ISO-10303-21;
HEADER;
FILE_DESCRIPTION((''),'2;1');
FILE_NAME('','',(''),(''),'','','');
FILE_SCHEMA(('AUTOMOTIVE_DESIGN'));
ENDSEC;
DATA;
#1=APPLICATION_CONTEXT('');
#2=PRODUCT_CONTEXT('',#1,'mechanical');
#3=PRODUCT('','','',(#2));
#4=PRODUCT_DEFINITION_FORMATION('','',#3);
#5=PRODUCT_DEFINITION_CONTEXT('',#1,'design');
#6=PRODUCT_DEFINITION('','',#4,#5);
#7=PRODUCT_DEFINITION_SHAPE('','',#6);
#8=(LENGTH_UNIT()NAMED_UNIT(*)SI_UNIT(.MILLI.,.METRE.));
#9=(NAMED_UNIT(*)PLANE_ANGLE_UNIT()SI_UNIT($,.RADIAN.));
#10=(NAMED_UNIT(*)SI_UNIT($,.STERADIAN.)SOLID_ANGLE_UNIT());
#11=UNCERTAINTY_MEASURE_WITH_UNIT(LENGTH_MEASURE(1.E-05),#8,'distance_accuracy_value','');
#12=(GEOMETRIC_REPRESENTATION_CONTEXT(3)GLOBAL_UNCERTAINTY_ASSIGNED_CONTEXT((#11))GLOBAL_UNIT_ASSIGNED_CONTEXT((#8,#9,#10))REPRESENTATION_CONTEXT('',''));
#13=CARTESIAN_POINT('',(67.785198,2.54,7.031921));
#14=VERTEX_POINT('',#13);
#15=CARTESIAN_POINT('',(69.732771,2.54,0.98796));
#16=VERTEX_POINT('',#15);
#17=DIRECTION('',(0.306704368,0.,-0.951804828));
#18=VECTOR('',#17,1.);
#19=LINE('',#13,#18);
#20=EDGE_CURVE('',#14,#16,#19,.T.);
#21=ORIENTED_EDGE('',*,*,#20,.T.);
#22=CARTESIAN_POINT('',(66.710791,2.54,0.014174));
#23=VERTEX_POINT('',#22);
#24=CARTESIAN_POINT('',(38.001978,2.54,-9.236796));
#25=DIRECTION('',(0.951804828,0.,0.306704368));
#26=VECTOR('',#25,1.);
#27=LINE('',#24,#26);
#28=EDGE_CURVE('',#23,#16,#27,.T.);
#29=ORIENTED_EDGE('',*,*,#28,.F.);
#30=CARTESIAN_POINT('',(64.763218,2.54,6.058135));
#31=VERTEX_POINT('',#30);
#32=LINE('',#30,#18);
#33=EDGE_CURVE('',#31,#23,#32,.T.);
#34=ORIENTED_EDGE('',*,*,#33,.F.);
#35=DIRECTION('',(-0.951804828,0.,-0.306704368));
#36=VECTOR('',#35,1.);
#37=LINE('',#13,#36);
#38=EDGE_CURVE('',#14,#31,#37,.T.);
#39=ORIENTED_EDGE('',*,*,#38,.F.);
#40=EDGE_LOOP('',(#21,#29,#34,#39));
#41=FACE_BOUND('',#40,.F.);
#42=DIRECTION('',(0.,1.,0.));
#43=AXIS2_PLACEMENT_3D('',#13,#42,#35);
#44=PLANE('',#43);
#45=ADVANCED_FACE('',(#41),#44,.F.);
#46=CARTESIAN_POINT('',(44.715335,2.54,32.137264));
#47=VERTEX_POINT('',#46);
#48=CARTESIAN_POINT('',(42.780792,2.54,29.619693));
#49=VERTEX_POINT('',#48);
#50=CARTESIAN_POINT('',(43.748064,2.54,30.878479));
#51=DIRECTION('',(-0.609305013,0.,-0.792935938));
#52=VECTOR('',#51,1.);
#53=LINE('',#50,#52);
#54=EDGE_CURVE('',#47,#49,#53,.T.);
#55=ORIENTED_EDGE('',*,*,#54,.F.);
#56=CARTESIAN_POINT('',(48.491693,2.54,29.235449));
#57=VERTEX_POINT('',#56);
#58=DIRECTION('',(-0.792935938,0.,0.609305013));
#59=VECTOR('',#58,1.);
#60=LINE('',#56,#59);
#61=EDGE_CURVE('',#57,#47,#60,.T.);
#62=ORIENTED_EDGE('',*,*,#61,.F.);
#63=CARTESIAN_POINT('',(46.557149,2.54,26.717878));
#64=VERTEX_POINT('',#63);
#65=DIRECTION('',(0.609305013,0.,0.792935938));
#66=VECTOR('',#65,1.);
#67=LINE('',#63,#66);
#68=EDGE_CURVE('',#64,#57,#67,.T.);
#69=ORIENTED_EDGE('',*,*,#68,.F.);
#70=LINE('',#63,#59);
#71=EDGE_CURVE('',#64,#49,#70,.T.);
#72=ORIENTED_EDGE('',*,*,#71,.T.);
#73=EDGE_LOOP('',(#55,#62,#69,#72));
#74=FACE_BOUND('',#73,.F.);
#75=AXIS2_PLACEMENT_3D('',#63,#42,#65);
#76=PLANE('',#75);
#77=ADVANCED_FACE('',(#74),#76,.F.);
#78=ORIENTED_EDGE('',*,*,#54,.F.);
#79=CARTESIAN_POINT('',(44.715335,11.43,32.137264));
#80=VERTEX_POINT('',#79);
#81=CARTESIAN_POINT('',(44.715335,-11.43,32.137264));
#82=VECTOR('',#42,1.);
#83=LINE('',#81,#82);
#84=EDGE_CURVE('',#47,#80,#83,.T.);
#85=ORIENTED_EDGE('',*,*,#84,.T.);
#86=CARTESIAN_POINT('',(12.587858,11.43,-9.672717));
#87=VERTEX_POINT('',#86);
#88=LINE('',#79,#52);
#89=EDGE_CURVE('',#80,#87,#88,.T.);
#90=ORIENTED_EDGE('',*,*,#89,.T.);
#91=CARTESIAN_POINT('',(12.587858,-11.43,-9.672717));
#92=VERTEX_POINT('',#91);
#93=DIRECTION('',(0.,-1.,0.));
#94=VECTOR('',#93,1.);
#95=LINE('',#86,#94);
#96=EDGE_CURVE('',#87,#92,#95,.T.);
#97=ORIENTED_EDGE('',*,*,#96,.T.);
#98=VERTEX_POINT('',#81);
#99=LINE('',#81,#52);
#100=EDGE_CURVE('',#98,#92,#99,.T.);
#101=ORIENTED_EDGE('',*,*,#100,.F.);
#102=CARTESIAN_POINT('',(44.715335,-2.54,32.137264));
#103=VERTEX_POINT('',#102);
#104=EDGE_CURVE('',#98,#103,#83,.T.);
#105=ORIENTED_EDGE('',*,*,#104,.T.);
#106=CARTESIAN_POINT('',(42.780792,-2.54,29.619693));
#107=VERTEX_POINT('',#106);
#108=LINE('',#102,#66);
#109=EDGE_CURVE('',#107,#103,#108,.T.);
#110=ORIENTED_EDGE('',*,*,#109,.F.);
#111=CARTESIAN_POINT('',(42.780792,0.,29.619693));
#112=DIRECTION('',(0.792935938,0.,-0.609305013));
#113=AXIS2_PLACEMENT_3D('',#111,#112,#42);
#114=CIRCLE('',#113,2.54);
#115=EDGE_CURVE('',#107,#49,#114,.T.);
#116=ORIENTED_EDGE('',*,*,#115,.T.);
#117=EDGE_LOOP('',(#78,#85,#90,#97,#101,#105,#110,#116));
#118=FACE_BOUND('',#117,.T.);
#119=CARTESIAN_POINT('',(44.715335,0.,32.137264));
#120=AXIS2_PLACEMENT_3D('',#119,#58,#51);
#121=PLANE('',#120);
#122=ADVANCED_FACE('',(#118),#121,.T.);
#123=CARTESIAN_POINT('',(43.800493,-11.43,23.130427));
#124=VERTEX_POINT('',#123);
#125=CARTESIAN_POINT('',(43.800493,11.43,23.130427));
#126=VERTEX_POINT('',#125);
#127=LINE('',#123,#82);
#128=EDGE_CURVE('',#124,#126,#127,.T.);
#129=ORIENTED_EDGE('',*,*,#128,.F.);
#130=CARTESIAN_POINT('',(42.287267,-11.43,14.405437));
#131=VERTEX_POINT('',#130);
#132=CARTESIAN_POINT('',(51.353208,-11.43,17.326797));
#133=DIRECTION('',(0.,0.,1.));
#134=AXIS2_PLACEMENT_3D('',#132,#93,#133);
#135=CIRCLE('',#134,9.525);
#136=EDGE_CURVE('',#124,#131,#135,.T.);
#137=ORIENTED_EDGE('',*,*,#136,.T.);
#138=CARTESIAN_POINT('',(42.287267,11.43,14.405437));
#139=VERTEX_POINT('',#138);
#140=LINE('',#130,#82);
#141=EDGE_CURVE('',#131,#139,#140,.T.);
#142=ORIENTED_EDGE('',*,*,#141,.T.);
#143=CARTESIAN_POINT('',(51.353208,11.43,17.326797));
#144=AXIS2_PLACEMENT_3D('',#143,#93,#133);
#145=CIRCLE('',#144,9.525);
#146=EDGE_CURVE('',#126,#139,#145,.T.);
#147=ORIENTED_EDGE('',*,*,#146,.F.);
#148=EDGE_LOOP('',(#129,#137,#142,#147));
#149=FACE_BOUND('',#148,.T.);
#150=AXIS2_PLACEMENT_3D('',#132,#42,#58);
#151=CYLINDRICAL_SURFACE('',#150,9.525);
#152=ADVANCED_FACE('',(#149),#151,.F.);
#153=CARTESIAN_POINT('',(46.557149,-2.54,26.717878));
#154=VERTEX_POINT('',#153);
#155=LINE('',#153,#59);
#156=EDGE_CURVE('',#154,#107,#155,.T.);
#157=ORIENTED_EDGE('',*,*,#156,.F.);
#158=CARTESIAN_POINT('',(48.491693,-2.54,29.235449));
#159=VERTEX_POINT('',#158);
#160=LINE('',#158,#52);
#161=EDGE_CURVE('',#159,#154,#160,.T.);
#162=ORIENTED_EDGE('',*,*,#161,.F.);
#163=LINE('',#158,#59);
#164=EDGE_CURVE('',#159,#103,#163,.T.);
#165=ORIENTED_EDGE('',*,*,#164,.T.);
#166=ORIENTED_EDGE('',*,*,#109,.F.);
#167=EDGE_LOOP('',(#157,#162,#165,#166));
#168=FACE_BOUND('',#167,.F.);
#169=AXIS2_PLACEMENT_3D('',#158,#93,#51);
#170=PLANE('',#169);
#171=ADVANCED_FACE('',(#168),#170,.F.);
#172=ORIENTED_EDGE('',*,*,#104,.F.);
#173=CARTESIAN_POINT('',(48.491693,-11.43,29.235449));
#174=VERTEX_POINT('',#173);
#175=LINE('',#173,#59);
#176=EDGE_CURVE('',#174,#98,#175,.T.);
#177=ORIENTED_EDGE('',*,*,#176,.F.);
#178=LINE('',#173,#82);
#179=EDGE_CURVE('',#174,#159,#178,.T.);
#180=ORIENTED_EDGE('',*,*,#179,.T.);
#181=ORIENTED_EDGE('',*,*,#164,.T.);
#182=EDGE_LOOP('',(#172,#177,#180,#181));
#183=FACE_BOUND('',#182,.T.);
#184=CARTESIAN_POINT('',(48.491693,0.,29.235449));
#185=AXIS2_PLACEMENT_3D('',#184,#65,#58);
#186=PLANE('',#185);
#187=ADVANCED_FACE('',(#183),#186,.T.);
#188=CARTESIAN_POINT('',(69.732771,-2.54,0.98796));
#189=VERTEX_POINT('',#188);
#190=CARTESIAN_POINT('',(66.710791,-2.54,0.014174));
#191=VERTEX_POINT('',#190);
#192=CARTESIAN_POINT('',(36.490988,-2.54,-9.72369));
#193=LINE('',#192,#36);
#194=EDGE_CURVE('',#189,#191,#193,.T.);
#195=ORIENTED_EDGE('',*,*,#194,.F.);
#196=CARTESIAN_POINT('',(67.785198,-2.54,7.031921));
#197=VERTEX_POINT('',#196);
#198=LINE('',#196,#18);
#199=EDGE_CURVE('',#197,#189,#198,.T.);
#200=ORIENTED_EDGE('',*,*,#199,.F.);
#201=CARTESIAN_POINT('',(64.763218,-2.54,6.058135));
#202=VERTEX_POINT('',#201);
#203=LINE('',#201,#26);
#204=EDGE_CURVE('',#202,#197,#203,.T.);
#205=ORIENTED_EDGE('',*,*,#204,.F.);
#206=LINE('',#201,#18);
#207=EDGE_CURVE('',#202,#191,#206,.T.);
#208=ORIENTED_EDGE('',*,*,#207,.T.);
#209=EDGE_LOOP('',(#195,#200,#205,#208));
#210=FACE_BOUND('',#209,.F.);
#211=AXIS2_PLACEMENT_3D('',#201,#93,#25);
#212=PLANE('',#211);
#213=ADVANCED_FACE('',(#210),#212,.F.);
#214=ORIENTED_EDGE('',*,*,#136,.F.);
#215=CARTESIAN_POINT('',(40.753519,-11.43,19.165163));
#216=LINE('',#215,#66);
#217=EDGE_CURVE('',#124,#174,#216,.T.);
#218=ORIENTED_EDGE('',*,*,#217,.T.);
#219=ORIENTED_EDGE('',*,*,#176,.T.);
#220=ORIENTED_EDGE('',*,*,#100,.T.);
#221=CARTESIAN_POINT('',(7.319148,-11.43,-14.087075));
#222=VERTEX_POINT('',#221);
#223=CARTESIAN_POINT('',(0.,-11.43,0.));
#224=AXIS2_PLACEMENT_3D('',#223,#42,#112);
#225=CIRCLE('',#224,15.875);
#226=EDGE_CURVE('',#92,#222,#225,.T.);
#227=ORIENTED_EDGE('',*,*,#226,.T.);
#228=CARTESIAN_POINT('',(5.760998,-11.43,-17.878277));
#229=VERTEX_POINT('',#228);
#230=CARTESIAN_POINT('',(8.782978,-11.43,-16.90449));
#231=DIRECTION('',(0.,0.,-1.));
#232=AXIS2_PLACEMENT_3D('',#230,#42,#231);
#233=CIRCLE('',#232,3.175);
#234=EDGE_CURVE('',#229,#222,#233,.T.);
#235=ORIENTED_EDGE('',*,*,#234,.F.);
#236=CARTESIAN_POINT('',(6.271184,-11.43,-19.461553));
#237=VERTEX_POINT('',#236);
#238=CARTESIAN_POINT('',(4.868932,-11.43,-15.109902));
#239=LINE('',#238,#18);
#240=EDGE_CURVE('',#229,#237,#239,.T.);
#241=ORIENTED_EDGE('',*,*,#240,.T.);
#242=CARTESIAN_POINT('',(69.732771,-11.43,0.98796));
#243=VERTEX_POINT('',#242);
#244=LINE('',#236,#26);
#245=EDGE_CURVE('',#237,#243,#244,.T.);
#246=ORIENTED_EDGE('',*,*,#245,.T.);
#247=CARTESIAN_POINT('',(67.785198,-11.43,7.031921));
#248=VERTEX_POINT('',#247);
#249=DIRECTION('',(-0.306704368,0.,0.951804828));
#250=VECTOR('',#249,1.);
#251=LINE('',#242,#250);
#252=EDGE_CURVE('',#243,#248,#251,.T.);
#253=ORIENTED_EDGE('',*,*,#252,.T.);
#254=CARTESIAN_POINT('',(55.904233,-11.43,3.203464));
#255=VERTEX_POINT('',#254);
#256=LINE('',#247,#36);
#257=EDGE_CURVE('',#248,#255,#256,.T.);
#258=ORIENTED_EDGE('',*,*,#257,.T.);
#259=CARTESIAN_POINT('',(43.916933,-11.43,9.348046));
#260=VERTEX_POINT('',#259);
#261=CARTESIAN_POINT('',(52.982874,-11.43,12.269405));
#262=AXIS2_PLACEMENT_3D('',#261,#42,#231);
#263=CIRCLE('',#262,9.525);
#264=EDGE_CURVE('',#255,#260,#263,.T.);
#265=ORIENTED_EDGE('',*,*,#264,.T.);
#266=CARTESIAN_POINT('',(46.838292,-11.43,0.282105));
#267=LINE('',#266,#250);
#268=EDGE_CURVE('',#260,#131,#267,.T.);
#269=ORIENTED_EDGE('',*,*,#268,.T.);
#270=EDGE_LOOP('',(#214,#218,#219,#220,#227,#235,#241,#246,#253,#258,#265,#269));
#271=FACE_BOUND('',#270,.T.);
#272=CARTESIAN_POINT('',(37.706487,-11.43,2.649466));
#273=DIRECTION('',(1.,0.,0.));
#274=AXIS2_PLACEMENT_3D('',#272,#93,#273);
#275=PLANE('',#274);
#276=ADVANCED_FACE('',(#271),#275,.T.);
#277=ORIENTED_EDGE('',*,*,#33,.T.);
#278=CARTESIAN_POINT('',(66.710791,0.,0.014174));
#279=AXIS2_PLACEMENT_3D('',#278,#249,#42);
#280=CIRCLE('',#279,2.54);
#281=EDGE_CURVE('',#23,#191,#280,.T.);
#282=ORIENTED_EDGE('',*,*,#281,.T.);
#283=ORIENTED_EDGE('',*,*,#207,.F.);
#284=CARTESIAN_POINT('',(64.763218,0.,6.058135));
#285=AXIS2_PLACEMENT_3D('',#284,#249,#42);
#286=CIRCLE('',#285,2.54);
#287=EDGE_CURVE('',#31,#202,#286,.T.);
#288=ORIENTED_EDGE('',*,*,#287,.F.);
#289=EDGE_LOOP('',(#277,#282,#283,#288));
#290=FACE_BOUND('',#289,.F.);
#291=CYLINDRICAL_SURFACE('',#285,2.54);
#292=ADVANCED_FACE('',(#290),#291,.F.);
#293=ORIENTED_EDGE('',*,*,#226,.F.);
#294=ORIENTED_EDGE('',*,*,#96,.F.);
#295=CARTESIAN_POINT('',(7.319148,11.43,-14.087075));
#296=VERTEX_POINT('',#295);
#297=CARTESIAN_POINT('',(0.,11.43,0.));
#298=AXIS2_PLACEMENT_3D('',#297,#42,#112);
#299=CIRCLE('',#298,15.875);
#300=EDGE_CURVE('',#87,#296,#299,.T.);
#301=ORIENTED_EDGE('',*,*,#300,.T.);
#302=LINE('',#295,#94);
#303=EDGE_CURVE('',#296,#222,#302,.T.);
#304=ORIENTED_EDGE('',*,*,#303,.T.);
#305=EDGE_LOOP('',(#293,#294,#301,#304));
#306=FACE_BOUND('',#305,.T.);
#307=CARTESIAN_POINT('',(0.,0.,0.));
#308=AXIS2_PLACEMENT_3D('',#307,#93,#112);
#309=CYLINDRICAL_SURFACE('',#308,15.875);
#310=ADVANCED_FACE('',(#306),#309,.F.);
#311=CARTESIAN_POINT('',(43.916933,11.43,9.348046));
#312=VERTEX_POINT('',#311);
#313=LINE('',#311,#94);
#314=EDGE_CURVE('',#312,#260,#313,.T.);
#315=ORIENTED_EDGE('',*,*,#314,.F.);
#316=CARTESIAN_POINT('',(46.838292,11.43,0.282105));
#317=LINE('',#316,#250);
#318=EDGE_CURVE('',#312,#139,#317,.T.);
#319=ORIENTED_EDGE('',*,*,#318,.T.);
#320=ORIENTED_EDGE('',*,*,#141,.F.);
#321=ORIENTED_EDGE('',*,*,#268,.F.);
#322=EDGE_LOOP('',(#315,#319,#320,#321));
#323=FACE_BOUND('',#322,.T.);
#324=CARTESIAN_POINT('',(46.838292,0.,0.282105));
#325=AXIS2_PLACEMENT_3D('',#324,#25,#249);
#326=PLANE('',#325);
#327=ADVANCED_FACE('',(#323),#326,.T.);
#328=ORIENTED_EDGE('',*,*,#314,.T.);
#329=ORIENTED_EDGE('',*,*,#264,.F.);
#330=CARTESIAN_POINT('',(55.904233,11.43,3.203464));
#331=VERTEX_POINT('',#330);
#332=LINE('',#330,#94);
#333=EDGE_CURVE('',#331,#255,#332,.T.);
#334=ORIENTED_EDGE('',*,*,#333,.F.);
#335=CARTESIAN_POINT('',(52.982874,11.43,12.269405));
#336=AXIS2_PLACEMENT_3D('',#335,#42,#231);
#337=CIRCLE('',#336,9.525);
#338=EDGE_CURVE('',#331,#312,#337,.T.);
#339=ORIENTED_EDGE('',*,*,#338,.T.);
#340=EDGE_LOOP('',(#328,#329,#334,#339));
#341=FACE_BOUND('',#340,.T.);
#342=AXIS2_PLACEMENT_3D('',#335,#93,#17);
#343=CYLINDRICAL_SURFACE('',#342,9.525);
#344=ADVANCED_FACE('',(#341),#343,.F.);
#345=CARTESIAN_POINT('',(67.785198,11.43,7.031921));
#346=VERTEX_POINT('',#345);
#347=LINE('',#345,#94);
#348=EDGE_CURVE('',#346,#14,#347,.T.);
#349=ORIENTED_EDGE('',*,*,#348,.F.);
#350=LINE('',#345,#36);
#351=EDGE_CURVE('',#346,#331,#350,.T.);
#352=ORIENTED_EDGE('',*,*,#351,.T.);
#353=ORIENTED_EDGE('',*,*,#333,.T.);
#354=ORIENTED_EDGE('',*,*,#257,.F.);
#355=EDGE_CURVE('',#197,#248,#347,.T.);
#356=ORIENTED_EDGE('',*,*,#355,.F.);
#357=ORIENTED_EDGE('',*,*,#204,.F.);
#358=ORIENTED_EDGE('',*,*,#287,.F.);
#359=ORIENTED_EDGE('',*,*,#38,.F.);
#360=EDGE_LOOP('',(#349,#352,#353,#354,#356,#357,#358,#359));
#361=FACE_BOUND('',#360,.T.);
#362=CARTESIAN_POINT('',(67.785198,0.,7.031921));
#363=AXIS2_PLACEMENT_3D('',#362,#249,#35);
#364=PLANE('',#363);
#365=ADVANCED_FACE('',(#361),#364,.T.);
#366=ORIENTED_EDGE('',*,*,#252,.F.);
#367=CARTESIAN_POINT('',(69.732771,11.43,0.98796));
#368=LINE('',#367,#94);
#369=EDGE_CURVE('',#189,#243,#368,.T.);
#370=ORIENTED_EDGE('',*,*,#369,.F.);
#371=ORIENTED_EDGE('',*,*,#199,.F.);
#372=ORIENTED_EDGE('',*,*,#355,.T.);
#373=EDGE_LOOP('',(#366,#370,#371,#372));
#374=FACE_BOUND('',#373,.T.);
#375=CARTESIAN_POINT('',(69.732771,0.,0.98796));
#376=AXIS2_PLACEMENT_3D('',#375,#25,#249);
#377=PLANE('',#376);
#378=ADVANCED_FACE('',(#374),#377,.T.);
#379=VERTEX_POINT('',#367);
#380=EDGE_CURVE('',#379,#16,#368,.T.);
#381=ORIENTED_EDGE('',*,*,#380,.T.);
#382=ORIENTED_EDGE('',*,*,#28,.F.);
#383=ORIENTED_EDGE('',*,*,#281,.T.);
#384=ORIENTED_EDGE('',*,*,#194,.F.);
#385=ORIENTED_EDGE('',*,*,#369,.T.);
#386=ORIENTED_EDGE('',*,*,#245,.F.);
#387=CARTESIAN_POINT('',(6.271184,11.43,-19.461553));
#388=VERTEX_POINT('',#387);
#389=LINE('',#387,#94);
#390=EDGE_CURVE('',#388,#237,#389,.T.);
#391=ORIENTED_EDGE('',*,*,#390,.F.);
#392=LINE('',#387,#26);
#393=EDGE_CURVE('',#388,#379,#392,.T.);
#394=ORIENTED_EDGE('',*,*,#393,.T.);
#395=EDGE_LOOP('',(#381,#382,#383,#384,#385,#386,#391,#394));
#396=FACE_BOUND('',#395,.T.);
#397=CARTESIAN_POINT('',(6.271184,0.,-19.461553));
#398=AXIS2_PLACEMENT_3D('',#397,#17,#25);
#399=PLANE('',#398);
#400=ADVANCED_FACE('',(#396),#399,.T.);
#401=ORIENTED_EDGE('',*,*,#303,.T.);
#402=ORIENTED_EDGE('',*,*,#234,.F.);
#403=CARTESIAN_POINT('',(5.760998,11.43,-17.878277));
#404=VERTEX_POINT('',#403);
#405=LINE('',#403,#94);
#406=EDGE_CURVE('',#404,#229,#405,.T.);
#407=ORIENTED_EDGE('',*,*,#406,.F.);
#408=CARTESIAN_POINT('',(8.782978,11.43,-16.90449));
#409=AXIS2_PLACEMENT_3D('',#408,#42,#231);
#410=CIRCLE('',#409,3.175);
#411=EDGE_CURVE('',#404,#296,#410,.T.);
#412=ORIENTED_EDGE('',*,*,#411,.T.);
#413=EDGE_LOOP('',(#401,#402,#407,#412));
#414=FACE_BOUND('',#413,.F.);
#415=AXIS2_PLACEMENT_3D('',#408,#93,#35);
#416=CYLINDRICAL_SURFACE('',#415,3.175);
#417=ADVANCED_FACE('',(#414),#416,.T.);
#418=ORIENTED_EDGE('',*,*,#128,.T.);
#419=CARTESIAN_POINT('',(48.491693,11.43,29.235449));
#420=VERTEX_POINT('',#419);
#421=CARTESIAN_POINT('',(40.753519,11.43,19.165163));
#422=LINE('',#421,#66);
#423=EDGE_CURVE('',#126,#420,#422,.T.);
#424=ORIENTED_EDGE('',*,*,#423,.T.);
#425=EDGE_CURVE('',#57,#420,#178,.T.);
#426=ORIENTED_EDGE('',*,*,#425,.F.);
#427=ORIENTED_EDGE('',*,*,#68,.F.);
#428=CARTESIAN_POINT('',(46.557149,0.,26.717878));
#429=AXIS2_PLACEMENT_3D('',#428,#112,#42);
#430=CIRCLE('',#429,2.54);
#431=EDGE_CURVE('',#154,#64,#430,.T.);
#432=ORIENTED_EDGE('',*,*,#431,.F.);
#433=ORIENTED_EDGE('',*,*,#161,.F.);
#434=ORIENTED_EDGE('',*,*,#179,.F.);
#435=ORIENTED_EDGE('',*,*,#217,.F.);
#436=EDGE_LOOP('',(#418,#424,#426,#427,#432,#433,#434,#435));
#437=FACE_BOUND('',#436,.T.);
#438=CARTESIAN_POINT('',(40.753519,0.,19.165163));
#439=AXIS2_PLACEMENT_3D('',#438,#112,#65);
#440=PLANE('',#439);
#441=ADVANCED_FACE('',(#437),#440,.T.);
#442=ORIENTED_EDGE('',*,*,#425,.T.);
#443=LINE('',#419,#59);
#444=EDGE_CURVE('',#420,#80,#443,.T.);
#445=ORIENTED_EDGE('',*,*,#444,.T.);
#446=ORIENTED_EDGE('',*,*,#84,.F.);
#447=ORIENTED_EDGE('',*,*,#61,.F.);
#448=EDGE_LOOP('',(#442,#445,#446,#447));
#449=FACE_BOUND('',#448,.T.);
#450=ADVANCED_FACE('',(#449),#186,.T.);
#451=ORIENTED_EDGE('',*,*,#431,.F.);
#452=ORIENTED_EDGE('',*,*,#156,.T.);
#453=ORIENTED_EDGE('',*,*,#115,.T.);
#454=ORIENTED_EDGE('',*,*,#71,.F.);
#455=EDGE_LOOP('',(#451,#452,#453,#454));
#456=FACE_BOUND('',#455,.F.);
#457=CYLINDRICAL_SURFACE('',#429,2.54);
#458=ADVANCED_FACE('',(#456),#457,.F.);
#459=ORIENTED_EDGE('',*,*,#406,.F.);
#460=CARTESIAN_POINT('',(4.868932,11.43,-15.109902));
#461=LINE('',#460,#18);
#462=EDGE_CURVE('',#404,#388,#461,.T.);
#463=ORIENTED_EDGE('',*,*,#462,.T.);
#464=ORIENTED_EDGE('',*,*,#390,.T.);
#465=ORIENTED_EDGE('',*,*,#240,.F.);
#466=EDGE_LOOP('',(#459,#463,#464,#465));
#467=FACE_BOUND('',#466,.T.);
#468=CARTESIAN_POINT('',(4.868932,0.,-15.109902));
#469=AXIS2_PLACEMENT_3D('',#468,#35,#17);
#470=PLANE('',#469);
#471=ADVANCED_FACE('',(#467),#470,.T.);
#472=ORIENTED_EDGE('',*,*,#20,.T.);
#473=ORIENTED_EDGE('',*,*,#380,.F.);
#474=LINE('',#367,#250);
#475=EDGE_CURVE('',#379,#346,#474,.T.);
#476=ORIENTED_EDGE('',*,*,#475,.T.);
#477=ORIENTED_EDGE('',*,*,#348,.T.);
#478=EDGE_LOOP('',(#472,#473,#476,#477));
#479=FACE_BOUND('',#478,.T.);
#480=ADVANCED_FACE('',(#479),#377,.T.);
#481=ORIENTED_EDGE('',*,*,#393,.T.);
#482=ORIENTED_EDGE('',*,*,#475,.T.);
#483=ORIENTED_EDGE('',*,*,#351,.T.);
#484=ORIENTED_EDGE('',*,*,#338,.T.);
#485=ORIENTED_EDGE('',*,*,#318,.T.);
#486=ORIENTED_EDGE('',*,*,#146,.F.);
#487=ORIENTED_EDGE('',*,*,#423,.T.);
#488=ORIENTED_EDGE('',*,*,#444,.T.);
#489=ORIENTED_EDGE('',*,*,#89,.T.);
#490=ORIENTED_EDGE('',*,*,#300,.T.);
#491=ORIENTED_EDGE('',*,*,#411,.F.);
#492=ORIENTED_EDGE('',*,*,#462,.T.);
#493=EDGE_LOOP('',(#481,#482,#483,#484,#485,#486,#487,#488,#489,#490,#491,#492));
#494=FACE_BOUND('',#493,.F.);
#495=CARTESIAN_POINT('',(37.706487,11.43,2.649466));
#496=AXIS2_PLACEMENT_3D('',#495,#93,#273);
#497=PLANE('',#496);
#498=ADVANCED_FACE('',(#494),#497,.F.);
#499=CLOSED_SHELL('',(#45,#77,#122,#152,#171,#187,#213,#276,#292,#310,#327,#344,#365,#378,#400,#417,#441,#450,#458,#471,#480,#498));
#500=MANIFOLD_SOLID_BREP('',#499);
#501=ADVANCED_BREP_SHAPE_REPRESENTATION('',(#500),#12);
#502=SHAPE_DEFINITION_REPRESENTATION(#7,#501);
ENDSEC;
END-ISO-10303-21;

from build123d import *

# Parameters (mm, degrees)
F1_DEPTH      = 11.43
F1_DEPTH_BACK = 11.43
F4_DEPTH      = 25.4
F5_DEPTH      = 25.4
F6_R          = 9.525
F7_R          = 3.175


with BuildPart() as f1:
    # F0 (on Front) → F1 (new body, two sides)
    with BuildSketch(Plane.XZ) as f1_sk:
        with BuildLine():
            Line((44.7153352637, 32.1372644044), (12.5878580118, -9.6727170782))
            ThreePointArc((12.5878580118, -9.6727170782), (9.1419703563, -12.9784437821), (4.868931841, -15.1099016452))
            Line((4.868931841, -15.1099016452), (6.2711842112, -19.461553319))
            Line((6.2711842112, -19.461553319), (69.7327711211, 0.987960413))
            Line((69.7327711211, 0.987960413), (67.7851983847, 7.0319210711))
            Line((67.7851983847, 7.0319210711), (46.8382920625, 0.2821048541))
            Line((46.8382920625, 0.2821048541), (40.7535190047, 19.1651628715))
            Line((40.7535190047, 19.1651628715), (48.4916926673, 29.235449281))
            Line((48.4916926673, 29.235449281), (44.7153352637, 32.1372644044))
        make_face()
    extrude(amount=F1_DEPTH)
    extrude(f1_sk.sketch, amount=-F1_DEPTH_BACK)

    # F3 (on face) → F4 (cut)
    with BuildSketch(Plane(origin=(16.3642154154, 0, -12.5745322016), x_dir=(0, 1, 0), z_dir=(0.7929359378, 0, -0.6093050128))):
        with BuildLine():
            ThreePointArc((-2.54, 49.5530698125), (0, 47.0130698125), (2.54, 49.5530698125))
            ThreePointArc((2.54, 49.5530698125), (0, 52.0930698125), (-2.54, 49.5530698125))
        make_face()
        with BuildLine():
            ThreePointArc((-2.54, 49.5530698125), (0, 52.0930698125), (2.54, 49.5530698125))
            Line((2.54, 49.5530698125), (2.54, 52.7280698125))
            Line((2.54, 52.7280698125), (-2.54, 52.7280698125))
            Line((-2.54, 52.7280698125), (-2.54, 49.5530698125))
        make_face()
    extrude(amount=-F4_DEPTH, mode=Mode.SUBTRACT)

    # F2 (on face) → F5 (cut)
    with BuildSketch(Plane(origin=(4.3236114748, 0, -13.4175926609), x_dir=(0.951804828, 0, 0.3067043679), z_dir=(-0.3067043679, 0, 0.951804828))):
        with BuildLine():
            ThreePointArc((63.5, -2.54), (65.2960512242, -1.7960512242), (66.04, 0))
            ThreePointArc((66.04, 0), (65.2960512242, 1.7960512242), (63.5, 2.54))
            ThreePointArc((63.5, 2.54), (60.96, 0), (63.5, -2.54))
        make_face()
        with BuildLine():
            ThreePointArc((63.5, 2.54), (65.2960512242, 1.7960512242), (66.04, 0))
            ThreePointArc((66.04, 0), (65.2960512242, -1.7960512242), (63.5, -2.54))
            Line((63.5, -2.54), (66.675, -2.54))
            Line((66.675, -2.54), (66.675, 2.54))
            Line((66.675, 2.54), (63.5, 2.54))
        make_face()
    extrude(amount=-F5_DEPTH, mode=Mode.SUBTRACT)

    # F6
    f6_edges = [f1.edges().sort_by_distance(p)[0] for p in [
        (46.838292, 0, 0.282105),
        (40.753519, 0, 19.165163),
    ]]
    fillet(f6_edges, radius=F6_R)

    # F7
    f7_edges = [f1.edges().sort_by_distance(p)[0] for p in [
        (4.868932, 0, -15.109902),
    ]]
    fillet(f7_edges, radius=F7_R)


solid = f1.part
